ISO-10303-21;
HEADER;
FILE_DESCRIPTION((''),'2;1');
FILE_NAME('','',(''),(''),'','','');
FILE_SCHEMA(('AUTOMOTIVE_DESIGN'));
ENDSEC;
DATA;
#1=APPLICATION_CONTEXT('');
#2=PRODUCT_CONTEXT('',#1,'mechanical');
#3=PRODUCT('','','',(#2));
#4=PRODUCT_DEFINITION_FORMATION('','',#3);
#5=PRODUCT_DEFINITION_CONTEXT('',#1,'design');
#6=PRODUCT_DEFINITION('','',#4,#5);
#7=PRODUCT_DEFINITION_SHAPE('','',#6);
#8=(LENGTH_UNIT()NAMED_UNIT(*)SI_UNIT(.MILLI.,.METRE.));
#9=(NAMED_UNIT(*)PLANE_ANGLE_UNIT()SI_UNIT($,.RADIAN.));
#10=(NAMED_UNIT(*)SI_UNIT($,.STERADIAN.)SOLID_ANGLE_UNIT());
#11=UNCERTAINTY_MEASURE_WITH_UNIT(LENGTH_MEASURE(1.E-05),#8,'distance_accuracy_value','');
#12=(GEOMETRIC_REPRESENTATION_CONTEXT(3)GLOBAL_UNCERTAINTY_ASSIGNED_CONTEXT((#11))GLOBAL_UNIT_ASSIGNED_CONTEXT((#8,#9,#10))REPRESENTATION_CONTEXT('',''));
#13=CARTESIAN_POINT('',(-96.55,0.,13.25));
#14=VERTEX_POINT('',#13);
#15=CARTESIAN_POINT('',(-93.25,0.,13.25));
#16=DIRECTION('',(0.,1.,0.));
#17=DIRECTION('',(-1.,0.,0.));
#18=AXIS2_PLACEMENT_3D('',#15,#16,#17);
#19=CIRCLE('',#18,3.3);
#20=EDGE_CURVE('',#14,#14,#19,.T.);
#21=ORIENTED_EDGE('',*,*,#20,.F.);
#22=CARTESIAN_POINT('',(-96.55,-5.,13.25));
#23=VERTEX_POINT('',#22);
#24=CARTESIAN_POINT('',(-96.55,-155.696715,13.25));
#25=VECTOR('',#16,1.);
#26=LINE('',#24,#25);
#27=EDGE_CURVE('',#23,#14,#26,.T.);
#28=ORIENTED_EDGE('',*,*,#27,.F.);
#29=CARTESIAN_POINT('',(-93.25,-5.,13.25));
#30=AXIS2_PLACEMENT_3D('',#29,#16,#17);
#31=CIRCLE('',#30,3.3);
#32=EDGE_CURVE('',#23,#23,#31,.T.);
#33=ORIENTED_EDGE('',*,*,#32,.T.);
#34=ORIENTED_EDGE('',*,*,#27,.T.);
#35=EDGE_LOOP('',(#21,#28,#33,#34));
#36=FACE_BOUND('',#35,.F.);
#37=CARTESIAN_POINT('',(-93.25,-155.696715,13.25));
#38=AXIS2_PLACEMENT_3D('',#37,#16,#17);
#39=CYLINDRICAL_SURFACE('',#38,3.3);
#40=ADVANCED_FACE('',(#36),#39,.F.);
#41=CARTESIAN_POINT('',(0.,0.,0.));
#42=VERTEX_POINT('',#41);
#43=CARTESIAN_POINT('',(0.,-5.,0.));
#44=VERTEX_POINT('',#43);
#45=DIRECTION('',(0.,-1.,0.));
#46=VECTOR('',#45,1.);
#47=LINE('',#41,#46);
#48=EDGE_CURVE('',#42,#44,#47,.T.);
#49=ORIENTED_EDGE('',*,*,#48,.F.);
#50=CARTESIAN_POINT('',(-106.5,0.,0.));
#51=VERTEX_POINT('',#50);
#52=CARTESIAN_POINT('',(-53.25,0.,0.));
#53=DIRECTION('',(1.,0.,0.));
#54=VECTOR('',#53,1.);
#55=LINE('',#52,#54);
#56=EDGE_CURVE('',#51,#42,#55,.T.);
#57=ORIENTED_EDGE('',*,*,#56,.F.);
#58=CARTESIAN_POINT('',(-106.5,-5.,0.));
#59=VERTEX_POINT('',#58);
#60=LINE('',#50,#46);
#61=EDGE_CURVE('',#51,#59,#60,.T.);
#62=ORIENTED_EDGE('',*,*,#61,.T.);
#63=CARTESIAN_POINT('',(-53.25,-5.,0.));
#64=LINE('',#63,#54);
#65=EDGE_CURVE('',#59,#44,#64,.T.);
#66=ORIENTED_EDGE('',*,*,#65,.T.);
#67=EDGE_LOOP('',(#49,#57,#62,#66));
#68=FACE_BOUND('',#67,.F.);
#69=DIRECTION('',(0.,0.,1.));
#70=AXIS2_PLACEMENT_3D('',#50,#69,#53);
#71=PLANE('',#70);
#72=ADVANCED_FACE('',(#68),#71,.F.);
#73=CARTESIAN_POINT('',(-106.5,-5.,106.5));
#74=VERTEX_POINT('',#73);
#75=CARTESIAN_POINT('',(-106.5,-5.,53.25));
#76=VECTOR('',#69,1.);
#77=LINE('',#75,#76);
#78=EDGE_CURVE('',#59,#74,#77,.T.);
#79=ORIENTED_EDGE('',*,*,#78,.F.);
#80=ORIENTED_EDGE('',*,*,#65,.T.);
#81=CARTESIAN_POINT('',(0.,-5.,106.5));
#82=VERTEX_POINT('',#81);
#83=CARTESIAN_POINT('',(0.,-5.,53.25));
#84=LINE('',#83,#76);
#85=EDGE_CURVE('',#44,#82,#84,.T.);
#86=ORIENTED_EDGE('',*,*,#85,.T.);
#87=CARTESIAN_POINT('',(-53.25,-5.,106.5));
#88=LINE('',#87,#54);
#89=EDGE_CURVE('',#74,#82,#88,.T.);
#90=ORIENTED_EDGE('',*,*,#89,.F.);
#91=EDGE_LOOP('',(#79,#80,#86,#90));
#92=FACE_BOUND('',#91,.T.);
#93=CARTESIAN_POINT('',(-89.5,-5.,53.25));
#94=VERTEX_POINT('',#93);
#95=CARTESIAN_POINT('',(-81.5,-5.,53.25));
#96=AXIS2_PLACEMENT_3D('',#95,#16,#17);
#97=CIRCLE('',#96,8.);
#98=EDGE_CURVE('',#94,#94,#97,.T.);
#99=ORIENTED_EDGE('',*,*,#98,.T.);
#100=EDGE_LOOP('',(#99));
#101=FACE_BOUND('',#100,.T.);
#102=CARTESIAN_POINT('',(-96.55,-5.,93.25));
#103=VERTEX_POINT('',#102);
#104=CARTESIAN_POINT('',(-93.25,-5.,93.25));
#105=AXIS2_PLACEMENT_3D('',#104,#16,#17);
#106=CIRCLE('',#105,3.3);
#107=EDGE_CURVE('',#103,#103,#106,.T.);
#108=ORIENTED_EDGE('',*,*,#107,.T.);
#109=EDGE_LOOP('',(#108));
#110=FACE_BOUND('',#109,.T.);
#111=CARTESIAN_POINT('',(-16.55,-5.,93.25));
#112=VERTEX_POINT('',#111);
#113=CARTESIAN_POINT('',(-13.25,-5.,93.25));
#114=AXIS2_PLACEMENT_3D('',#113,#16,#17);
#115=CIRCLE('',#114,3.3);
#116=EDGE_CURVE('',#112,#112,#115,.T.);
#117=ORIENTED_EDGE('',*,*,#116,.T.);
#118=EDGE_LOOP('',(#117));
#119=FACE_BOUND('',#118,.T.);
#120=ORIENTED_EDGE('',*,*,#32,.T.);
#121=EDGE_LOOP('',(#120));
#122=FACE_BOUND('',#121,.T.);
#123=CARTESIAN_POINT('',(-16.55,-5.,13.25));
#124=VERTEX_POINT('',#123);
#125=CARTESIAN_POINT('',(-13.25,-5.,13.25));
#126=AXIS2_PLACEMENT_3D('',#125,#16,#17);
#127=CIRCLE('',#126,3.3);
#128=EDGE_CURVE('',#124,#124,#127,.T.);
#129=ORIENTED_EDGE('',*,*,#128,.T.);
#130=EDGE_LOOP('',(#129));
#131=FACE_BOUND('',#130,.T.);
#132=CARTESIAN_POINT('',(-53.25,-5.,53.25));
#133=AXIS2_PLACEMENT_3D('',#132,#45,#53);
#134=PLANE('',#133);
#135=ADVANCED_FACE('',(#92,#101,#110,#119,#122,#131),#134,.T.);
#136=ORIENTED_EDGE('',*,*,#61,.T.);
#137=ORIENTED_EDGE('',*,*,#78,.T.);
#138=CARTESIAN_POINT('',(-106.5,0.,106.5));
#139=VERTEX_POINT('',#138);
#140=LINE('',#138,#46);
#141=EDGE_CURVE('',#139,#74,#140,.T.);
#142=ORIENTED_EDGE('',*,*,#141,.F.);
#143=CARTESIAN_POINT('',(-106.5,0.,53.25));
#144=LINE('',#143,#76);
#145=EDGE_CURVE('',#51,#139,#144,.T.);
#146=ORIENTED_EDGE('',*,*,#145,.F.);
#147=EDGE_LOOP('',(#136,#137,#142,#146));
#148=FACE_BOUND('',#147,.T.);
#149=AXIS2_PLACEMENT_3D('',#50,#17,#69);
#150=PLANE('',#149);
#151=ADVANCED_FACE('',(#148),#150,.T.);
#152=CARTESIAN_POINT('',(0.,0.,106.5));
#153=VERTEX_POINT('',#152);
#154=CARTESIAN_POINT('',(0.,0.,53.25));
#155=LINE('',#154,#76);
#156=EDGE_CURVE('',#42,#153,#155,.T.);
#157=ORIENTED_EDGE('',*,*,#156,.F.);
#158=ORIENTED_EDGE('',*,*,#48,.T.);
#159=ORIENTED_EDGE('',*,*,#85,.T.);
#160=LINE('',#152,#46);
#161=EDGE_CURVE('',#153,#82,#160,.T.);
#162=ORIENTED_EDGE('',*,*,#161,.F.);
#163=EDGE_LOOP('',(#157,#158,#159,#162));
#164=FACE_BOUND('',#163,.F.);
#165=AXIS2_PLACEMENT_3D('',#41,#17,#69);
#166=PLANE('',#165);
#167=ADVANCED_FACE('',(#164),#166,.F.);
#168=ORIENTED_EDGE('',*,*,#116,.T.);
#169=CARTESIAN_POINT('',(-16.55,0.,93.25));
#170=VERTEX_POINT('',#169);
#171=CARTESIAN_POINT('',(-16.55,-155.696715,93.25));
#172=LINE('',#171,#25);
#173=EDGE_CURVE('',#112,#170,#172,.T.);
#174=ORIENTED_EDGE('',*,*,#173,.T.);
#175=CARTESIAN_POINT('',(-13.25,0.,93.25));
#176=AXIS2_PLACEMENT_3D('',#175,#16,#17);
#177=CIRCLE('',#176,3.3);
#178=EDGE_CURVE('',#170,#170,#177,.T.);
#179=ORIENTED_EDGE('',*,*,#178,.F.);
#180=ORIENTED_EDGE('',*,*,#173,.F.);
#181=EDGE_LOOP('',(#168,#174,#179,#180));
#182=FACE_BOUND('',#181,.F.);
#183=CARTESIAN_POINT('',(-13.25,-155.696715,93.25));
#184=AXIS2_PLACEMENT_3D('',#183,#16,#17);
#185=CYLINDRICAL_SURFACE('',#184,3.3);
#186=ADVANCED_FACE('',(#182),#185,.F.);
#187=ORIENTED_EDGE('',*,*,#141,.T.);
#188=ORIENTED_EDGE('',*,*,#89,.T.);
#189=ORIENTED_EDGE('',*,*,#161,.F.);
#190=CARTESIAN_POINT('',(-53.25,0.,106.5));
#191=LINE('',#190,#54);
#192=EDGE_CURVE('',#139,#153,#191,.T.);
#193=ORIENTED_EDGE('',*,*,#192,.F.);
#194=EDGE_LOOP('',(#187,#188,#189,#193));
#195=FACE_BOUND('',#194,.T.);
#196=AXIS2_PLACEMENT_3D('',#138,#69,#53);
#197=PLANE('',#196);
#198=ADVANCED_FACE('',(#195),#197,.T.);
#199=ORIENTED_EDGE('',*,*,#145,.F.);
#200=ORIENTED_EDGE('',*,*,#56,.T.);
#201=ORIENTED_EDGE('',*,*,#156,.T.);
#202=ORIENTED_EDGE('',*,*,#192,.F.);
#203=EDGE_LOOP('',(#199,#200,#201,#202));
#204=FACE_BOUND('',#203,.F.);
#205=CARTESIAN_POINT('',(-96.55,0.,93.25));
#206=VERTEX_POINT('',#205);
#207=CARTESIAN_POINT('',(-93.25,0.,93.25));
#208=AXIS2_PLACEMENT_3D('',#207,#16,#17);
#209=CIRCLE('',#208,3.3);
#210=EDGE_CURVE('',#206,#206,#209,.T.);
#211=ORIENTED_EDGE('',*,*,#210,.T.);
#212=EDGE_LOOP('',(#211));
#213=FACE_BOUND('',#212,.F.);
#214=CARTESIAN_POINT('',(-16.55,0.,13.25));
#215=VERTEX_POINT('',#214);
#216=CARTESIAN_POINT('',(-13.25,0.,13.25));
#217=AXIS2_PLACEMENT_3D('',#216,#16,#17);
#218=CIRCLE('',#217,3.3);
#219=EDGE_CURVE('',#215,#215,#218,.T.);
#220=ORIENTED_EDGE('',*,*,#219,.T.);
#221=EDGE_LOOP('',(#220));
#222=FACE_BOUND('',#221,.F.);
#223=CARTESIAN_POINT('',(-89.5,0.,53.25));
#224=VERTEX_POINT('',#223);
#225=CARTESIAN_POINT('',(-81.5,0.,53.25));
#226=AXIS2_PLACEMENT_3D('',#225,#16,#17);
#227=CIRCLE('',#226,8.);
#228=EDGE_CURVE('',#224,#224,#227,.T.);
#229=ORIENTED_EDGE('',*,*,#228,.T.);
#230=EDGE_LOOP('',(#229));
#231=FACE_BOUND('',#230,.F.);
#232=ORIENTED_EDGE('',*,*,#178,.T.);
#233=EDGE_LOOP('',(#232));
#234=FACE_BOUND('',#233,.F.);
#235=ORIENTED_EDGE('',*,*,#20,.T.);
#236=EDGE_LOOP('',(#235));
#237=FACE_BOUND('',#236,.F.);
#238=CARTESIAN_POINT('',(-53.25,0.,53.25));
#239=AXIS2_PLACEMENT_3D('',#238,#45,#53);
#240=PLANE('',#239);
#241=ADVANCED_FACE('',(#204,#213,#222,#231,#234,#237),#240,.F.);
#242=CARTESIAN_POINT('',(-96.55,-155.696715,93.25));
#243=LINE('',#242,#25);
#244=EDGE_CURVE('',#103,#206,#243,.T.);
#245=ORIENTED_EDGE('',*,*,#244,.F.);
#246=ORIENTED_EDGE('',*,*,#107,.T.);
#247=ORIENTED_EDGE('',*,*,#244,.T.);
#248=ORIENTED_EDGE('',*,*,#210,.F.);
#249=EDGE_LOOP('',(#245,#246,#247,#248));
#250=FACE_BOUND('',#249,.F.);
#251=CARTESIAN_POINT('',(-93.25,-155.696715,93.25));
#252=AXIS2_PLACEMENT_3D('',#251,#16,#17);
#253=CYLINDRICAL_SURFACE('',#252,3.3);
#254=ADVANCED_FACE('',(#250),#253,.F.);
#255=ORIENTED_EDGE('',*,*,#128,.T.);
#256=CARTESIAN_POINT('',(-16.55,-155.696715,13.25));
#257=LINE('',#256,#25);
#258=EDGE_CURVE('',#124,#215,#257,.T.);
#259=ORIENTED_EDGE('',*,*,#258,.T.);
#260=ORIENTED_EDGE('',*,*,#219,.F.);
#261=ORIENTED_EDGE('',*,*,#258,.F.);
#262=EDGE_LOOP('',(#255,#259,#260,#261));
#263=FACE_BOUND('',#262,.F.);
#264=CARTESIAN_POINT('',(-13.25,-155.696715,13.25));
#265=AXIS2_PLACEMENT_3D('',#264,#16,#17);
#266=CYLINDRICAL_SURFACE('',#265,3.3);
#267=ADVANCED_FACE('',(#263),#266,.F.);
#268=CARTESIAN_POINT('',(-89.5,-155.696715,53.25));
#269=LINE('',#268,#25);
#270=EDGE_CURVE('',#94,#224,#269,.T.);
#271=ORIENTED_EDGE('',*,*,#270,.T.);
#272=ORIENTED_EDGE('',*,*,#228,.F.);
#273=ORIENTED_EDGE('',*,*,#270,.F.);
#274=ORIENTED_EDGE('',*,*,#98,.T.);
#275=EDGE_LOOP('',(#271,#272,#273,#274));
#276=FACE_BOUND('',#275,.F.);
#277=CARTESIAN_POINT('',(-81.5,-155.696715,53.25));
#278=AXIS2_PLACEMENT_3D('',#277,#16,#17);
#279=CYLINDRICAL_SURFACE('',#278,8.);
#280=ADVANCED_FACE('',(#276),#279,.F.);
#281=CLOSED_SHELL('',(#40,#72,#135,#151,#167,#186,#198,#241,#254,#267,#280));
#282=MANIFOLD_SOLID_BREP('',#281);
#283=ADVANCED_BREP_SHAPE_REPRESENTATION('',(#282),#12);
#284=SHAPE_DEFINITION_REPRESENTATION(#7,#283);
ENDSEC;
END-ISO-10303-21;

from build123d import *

# Parameters (mm, degrees)
F0_W     = 106.5
F0_H     = 106.5
F1_DEPTH = 5
F3_D     = 6.6
F5_D     = 16


with BuildPart() as f1:
    # F0 (on Front) → F1 (new body)
    with BuildSketch(Plane.XZ):
        with Locations((-53.25, 53.25)):
            Rectangle(F0_W, F0_H)
    extrude(amount=F1_DEPTH)

    # F3 (through all)
    with Locations(Plane.XZ.offset(5)):
        with Locations((-93.25, 93.25), (-93.25, 13.25), (-13.25, 13.25), (-13.25, 93.25)):
            Hole(F3_D / 2)

    # F5 (through all)
    with Locations(Plane.XZ.offset(5)):
        with Locations((-81.5, 53.25)):
            Hole(F5_D / 2)


solid = f1.part
